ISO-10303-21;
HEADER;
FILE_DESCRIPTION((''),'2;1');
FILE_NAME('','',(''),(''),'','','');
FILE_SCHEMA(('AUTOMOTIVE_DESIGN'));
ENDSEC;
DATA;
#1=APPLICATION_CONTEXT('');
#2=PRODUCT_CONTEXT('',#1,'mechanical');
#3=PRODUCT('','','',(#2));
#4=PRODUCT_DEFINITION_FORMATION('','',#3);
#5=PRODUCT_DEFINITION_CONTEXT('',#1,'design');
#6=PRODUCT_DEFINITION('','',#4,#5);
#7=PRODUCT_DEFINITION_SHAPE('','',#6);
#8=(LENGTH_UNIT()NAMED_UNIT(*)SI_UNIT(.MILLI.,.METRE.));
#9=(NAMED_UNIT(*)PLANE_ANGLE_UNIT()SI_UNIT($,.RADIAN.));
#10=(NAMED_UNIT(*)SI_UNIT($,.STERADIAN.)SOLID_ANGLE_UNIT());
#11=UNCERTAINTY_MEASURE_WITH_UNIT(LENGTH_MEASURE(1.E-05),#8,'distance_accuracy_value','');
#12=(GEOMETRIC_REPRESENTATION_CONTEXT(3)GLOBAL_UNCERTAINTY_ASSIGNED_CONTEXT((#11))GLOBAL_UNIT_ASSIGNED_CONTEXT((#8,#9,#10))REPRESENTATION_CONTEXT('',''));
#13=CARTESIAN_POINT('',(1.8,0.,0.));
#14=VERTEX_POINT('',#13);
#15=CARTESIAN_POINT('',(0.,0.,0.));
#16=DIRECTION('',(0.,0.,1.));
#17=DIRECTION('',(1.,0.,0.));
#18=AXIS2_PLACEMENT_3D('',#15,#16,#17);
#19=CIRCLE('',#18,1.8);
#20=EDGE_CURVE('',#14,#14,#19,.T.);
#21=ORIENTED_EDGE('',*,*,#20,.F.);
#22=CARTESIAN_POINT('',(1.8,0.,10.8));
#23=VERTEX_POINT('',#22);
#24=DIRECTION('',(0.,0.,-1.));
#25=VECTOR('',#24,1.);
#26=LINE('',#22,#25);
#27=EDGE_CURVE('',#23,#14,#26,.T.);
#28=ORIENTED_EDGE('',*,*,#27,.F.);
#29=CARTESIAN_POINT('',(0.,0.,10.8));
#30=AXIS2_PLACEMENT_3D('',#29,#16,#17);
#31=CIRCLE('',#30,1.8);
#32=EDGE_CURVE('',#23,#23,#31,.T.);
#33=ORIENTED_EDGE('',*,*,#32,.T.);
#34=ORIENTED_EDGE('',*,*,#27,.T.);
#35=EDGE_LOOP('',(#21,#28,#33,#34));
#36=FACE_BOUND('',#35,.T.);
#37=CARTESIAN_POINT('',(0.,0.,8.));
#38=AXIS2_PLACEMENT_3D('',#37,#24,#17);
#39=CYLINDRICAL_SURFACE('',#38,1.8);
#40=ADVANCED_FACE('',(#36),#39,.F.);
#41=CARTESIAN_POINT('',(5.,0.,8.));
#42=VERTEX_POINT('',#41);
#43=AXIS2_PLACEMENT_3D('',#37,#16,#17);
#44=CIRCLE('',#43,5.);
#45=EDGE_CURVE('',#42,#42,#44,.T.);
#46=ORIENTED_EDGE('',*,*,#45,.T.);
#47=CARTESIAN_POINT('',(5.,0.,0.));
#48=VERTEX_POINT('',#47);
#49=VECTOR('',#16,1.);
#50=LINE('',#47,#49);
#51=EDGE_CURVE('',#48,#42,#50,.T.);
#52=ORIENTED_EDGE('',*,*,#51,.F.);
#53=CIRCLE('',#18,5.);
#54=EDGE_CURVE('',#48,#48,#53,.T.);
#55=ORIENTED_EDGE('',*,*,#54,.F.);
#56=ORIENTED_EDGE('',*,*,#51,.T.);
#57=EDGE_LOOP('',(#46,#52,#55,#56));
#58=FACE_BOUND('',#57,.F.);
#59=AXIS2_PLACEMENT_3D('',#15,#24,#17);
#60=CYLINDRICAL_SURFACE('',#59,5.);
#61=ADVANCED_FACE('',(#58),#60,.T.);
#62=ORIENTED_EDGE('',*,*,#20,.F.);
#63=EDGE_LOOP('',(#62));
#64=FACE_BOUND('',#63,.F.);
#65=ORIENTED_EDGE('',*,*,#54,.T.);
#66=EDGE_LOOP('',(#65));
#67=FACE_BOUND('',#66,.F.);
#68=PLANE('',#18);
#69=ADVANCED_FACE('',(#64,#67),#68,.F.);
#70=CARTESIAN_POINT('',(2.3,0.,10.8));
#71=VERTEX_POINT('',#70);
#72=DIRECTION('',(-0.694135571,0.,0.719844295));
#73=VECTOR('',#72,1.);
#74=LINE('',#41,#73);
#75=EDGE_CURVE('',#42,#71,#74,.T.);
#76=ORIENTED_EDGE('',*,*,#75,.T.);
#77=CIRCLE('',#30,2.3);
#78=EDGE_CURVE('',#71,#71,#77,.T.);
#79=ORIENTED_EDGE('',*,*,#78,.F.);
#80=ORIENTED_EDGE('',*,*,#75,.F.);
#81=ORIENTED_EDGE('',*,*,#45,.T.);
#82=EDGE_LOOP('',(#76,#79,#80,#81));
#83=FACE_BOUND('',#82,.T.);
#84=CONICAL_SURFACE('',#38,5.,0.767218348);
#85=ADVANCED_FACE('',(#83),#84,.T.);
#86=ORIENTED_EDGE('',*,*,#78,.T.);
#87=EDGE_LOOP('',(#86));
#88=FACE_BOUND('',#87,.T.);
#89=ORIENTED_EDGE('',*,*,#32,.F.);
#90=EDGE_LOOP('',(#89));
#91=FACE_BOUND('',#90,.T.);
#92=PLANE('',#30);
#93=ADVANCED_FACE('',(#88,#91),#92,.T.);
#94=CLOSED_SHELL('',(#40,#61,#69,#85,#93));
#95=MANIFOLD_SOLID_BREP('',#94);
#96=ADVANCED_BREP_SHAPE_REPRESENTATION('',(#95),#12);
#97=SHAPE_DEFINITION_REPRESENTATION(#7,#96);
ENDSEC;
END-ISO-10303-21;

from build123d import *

# Parameters (mm, degrees)
CYLINDER100_R     = 1.8
CYLINDER100_DEPTH = 2.8
TUBE_R            = 5
TUBE_R_2          = 1.8
TUBE_DEPTH        = 8


with BuildPart() as puller_washer_cone_hole:
    # Cylinder100 → Cylinder100 (new body)
    with BuildSketch(Plane.XY):
        Circle(CYLINDER100_R)
    extrude(amount=CYLINDER100_DEPTH)


with BuildPart() as puller_washer_cone_cut:
    # Cone → Cone (revolve)
    with BuildSketch(Plane.XZ):
        Polygon((0, 0), (5, 0), (2.3, 2.8), (0, 2.8), align=None)
    revolve(axis=Axis((0, 0, 0), (0, 0, 1)))

    # Cut: cut puller washer cone hole
    add(puller_washer_cone_hole.part, mode=Mode.SUBTRACT)


with BuildPart() as puller_washer_cone_cut_1:
    # Cut placement: moved
    add(puller_washer_cone_cut.part.moved(Location((0, 0, 8))))


with BuildPart() as puller_mount_washer:
    # Tube → Tube (new body)
    with BuildSketch(Plane.XY):
        Circle(TUBE_R)
        Circle(TUBE_R_2, mode=Mode.SUBTRACT)
    extrude(amount=TUBE_DEPTH)

    # Fusion: union puller washer cone cut
    add(puller_washer_cone_cut_1.part)


solid = puller_mount_washer.part
